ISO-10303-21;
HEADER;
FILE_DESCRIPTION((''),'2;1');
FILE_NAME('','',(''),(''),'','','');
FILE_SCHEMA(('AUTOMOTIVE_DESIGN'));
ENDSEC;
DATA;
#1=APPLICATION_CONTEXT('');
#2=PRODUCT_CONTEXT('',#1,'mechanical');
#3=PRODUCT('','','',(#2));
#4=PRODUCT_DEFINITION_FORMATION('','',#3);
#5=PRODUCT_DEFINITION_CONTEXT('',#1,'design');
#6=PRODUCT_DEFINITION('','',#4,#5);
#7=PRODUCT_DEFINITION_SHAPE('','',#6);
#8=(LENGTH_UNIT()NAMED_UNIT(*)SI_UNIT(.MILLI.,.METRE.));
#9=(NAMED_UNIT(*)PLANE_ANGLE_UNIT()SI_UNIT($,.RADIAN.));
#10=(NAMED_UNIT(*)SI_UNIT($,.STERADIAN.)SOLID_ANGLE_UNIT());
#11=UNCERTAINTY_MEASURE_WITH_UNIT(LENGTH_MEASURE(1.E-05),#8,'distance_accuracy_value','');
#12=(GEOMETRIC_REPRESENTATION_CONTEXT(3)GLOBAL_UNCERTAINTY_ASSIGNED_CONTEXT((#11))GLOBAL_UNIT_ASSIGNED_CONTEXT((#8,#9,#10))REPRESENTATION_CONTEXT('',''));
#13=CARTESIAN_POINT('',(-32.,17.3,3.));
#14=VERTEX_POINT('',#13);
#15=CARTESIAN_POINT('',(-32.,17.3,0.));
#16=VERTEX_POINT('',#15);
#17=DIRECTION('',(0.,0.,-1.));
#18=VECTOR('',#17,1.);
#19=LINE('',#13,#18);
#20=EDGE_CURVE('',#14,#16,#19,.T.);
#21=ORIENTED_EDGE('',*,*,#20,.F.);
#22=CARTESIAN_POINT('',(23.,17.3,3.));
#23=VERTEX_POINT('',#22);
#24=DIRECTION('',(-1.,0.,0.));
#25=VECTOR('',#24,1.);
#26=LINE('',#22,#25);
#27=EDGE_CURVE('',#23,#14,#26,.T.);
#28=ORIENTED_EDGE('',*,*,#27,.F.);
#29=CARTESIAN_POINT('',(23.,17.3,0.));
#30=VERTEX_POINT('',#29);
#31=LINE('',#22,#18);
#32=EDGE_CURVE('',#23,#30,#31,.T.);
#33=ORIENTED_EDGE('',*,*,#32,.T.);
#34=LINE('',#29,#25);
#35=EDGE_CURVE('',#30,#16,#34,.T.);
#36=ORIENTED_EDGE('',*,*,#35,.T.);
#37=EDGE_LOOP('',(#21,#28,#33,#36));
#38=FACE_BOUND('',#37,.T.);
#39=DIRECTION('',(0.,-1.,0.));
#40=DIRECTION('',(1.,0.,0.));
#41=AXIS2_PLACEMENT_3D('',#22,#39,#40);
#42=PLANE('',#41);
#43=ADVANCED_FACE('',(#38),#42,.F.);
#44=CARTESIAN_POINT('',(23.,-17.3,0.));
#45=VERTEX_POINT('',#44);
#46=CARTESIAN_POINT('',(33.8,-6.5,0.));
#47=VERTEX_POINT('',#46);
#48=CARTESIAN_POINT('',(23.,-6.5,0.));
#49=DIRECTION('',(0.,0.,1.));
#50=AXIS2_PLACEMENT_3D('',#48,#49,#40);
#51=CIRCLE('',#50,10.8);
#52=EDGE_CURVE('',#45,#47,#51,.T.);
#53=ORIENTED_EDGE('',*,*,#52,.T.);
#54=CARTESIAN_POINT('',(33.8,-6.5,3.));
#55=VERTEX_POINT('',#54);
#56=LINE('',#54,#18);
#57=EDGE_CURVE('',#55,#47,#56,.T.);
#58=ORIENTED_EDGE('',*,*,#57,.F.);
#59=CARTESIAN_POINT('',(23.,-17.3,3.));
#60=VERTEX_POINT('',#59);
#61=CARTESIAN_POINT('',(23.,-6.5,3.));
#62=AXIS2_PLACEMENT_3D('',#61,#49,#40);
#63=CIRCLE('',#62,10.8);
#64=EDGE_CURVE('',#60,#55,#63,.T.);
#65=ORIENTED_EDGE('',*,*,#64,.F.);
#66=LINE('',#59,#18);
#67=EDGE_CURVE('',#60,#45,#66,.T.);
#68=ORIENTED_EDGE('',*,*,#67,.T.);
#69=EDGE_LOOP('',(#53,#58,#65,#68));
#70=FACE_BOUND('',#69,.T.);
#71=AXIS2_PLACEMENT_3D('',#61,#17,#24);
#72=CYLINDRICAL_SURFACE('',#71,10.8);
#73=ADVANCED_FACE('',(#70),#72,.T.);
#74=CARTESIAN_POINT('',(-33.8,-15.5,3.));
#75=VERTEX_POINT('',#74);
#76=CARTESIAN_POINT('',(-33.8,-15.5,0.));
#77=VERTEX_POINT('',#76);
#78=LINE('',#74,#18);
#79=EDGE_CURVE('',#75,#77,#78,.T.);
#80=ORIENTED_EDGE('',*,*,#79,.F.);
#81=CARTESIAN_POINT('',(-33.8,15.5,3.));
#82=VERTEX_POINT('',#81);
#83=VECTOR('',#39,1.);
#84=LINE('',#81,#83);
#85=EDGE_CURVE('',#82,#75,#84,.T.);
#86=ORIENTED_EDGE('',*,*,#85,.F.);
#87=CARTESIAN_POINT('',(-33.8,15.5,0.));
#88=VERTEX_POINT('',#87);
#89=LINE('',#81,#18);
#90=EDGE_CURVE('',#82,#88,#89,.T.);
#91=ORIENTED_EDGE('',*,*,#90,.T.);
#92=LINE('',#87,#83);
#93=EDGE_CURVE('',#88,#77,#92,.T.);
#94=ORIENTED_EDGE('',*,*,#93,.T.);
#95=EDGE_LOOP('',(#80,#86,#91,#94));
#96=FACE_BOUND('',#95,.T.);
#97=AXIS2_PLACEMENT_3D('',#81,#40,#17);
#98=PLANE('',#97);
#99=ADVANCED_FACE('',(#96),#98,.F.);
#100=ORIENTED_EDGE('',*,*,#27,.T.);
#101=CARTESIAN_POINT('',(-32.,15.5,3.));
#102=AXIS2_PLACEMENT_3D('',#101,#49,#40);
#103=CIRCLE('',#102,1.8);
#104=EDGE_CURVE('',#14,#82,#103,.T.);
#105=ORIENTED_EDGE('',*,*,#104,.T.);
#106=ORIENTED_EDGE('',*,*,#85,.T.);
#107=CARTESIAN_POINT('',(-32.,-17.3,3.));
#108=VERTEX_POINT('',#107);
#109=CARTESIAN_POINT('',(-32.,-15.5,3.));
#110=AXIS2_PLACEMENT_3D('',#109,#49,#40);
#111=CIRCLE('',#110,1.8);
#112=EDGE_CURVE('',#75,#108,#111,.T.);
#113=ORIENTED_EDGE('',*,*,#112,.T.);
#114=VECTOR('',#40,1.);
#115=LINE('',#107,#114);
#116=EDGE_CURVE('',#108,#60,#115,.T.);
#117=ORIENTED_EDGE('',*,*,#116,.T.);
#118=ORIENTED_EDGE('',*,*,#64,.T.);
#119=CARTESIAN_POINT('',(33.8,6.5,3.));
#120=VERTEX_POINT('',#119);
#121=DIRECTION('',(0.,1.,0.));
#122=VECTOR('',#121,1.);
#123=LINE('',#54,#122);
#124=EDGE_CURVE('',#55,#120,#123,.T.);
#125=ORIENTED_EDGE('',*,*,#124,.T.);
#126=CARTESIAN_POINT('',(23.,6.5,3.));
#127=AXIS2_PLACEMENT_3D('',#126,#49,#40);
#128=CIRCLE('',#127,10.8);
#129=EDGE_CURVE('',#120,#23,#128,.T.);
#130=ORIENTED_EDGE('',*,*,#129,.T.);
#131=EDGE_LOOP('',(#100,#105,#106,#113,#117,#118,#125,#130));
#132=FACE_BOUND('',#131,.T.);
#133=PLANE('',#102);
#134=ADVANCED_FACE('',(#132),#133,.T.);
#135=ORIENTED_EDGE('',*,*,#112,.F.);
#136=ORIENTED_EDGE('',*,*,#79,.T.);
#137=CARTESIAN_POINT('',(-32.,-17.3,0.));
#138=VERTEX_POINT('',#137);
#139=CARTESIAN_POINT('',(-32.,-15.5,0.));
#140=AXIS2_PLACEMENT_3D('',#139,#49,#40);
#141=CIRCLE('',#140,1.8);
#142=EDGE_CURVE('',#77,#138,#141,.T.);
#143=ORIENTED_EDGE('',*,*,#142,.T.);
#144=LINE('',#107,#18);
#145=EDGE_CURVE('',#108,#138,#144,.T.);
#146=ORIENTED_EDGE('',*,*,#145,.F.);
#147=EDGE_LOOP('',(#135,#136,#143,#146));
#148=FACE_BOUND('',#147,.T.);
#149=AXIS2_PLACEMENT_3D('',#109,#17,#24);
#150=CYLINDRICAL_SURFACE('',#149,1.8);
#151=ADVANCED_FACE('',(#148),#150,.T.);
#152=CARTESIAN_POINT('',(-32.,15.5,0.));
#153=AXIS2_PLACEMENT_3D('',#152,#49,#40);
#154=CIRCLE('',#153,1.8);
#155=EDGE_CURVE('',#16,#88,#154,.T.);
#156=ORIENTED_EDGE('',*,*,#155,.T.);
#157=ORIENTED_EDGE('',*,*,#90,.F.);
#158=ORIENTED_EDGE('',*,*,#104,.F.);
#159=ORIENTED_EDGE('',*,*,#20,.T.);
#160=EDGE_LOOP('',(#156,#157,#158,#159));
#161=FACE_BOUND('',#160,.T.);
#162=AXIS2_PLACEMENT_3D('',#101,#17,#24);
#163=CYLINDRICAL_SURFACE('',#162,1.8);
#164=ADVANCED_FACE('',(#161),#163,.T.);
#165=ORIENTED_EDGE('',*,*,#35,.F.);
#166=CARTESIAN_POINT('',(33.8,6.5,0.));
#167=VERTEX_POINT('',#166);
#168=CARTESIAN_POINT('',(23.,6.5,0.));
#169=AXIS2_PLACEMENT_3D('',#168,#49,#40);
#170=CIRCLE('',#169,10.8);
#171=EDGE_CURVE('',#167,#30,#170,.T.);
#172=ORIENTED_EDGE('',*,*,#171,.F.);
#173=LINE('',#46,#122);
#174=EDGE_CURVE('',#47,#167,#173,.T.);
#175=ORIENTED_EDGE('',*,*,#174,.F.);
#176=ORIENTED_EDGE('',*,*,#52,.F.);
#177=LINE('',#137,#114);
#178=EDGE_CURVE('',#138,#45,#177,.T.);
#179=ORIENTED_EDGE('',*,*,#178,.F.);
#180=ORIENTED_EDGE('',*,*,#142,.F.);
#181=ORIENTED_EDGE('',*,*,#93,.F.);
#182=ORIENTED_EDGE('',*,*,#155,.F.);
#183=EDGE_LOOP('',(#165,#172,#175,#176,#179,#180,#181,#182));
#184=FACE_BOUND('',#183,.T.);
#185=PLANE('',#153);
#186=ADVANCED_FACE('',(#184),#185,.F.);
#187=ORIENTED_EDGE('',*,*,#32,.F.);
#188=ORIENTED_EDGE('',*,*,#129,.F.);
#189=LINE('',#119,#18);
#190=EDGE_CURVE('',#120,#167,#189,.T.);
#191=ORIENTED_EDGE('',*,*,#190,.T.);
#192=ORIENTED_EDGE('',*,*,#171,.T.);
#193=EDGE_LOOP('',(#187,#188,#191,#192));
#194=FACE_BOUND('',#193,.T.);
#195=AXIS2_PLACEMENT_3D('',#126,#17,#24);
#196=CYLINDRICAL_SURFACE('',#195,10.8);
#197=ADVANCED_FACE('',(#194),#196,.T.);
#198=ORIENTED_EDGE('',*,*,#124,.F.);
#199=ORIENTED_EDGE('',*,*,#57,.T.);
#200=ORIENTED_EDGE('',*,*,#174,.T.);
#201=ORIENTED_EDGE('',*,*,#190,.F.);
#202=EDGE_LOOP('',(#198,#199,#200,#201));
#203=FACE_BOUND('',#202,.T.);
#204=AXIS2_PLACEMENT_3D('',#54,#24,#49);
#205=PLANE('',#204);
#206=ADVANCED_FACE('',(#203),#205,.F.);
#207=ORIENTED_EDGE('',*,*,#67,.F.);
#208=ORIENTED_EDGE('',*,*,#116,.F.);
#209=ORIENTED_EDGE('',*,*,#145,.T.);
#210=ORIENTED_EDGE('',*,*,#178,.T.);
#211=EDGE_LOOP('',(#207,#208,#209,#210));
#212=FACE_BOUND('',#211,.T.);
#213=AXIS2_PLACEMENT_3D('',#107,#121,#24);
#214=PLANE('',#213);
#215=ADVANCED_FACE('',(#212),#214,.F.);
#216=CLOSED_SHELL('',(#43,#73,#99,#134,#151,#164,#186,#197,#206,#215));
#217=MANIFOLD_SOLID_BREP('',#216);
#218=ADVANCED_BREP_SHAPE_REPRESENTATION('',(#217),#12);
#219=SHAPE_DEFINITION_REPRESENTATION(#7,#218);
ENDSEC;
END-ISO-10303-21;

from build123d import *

# Parameters (mm, degrees)
BOSS_EXTRUDE1_DEPTH = 3


with BuildPart() as part:
    # Sketch1 → Boss-Extrude1 (new body)
    with BuildSketch(Plane.XY):
        with BuildLine():
            Line((23, 17.3), (-32, 17.3))
            ThreePointArc((-32, 17.3), (-33.272792206, 16.772792206), (-33.8, 15.5))
            Line((-33.8, 15.5), (-33.8, -15.5))
            ThreePointArc((-33.8, -15.5), (-33.272792206, -16.772792206), (-32, -17.3))
            Line((-32, -17.3), (23, -17.3))
            ThreePointArc((23, -17.3), (30.636753237, -14.136753237), (33.8, -6.5))
            Line((33.8, -6.5), (33.8, 6.5))
            ThreePointArc((33.8, 6.5), (30.636753237, 14.136753237), (23, 17.3))
        make_face()
    extrude(amount=BOSS_EXTRUDE1_DEPTH)


solid = part.part
